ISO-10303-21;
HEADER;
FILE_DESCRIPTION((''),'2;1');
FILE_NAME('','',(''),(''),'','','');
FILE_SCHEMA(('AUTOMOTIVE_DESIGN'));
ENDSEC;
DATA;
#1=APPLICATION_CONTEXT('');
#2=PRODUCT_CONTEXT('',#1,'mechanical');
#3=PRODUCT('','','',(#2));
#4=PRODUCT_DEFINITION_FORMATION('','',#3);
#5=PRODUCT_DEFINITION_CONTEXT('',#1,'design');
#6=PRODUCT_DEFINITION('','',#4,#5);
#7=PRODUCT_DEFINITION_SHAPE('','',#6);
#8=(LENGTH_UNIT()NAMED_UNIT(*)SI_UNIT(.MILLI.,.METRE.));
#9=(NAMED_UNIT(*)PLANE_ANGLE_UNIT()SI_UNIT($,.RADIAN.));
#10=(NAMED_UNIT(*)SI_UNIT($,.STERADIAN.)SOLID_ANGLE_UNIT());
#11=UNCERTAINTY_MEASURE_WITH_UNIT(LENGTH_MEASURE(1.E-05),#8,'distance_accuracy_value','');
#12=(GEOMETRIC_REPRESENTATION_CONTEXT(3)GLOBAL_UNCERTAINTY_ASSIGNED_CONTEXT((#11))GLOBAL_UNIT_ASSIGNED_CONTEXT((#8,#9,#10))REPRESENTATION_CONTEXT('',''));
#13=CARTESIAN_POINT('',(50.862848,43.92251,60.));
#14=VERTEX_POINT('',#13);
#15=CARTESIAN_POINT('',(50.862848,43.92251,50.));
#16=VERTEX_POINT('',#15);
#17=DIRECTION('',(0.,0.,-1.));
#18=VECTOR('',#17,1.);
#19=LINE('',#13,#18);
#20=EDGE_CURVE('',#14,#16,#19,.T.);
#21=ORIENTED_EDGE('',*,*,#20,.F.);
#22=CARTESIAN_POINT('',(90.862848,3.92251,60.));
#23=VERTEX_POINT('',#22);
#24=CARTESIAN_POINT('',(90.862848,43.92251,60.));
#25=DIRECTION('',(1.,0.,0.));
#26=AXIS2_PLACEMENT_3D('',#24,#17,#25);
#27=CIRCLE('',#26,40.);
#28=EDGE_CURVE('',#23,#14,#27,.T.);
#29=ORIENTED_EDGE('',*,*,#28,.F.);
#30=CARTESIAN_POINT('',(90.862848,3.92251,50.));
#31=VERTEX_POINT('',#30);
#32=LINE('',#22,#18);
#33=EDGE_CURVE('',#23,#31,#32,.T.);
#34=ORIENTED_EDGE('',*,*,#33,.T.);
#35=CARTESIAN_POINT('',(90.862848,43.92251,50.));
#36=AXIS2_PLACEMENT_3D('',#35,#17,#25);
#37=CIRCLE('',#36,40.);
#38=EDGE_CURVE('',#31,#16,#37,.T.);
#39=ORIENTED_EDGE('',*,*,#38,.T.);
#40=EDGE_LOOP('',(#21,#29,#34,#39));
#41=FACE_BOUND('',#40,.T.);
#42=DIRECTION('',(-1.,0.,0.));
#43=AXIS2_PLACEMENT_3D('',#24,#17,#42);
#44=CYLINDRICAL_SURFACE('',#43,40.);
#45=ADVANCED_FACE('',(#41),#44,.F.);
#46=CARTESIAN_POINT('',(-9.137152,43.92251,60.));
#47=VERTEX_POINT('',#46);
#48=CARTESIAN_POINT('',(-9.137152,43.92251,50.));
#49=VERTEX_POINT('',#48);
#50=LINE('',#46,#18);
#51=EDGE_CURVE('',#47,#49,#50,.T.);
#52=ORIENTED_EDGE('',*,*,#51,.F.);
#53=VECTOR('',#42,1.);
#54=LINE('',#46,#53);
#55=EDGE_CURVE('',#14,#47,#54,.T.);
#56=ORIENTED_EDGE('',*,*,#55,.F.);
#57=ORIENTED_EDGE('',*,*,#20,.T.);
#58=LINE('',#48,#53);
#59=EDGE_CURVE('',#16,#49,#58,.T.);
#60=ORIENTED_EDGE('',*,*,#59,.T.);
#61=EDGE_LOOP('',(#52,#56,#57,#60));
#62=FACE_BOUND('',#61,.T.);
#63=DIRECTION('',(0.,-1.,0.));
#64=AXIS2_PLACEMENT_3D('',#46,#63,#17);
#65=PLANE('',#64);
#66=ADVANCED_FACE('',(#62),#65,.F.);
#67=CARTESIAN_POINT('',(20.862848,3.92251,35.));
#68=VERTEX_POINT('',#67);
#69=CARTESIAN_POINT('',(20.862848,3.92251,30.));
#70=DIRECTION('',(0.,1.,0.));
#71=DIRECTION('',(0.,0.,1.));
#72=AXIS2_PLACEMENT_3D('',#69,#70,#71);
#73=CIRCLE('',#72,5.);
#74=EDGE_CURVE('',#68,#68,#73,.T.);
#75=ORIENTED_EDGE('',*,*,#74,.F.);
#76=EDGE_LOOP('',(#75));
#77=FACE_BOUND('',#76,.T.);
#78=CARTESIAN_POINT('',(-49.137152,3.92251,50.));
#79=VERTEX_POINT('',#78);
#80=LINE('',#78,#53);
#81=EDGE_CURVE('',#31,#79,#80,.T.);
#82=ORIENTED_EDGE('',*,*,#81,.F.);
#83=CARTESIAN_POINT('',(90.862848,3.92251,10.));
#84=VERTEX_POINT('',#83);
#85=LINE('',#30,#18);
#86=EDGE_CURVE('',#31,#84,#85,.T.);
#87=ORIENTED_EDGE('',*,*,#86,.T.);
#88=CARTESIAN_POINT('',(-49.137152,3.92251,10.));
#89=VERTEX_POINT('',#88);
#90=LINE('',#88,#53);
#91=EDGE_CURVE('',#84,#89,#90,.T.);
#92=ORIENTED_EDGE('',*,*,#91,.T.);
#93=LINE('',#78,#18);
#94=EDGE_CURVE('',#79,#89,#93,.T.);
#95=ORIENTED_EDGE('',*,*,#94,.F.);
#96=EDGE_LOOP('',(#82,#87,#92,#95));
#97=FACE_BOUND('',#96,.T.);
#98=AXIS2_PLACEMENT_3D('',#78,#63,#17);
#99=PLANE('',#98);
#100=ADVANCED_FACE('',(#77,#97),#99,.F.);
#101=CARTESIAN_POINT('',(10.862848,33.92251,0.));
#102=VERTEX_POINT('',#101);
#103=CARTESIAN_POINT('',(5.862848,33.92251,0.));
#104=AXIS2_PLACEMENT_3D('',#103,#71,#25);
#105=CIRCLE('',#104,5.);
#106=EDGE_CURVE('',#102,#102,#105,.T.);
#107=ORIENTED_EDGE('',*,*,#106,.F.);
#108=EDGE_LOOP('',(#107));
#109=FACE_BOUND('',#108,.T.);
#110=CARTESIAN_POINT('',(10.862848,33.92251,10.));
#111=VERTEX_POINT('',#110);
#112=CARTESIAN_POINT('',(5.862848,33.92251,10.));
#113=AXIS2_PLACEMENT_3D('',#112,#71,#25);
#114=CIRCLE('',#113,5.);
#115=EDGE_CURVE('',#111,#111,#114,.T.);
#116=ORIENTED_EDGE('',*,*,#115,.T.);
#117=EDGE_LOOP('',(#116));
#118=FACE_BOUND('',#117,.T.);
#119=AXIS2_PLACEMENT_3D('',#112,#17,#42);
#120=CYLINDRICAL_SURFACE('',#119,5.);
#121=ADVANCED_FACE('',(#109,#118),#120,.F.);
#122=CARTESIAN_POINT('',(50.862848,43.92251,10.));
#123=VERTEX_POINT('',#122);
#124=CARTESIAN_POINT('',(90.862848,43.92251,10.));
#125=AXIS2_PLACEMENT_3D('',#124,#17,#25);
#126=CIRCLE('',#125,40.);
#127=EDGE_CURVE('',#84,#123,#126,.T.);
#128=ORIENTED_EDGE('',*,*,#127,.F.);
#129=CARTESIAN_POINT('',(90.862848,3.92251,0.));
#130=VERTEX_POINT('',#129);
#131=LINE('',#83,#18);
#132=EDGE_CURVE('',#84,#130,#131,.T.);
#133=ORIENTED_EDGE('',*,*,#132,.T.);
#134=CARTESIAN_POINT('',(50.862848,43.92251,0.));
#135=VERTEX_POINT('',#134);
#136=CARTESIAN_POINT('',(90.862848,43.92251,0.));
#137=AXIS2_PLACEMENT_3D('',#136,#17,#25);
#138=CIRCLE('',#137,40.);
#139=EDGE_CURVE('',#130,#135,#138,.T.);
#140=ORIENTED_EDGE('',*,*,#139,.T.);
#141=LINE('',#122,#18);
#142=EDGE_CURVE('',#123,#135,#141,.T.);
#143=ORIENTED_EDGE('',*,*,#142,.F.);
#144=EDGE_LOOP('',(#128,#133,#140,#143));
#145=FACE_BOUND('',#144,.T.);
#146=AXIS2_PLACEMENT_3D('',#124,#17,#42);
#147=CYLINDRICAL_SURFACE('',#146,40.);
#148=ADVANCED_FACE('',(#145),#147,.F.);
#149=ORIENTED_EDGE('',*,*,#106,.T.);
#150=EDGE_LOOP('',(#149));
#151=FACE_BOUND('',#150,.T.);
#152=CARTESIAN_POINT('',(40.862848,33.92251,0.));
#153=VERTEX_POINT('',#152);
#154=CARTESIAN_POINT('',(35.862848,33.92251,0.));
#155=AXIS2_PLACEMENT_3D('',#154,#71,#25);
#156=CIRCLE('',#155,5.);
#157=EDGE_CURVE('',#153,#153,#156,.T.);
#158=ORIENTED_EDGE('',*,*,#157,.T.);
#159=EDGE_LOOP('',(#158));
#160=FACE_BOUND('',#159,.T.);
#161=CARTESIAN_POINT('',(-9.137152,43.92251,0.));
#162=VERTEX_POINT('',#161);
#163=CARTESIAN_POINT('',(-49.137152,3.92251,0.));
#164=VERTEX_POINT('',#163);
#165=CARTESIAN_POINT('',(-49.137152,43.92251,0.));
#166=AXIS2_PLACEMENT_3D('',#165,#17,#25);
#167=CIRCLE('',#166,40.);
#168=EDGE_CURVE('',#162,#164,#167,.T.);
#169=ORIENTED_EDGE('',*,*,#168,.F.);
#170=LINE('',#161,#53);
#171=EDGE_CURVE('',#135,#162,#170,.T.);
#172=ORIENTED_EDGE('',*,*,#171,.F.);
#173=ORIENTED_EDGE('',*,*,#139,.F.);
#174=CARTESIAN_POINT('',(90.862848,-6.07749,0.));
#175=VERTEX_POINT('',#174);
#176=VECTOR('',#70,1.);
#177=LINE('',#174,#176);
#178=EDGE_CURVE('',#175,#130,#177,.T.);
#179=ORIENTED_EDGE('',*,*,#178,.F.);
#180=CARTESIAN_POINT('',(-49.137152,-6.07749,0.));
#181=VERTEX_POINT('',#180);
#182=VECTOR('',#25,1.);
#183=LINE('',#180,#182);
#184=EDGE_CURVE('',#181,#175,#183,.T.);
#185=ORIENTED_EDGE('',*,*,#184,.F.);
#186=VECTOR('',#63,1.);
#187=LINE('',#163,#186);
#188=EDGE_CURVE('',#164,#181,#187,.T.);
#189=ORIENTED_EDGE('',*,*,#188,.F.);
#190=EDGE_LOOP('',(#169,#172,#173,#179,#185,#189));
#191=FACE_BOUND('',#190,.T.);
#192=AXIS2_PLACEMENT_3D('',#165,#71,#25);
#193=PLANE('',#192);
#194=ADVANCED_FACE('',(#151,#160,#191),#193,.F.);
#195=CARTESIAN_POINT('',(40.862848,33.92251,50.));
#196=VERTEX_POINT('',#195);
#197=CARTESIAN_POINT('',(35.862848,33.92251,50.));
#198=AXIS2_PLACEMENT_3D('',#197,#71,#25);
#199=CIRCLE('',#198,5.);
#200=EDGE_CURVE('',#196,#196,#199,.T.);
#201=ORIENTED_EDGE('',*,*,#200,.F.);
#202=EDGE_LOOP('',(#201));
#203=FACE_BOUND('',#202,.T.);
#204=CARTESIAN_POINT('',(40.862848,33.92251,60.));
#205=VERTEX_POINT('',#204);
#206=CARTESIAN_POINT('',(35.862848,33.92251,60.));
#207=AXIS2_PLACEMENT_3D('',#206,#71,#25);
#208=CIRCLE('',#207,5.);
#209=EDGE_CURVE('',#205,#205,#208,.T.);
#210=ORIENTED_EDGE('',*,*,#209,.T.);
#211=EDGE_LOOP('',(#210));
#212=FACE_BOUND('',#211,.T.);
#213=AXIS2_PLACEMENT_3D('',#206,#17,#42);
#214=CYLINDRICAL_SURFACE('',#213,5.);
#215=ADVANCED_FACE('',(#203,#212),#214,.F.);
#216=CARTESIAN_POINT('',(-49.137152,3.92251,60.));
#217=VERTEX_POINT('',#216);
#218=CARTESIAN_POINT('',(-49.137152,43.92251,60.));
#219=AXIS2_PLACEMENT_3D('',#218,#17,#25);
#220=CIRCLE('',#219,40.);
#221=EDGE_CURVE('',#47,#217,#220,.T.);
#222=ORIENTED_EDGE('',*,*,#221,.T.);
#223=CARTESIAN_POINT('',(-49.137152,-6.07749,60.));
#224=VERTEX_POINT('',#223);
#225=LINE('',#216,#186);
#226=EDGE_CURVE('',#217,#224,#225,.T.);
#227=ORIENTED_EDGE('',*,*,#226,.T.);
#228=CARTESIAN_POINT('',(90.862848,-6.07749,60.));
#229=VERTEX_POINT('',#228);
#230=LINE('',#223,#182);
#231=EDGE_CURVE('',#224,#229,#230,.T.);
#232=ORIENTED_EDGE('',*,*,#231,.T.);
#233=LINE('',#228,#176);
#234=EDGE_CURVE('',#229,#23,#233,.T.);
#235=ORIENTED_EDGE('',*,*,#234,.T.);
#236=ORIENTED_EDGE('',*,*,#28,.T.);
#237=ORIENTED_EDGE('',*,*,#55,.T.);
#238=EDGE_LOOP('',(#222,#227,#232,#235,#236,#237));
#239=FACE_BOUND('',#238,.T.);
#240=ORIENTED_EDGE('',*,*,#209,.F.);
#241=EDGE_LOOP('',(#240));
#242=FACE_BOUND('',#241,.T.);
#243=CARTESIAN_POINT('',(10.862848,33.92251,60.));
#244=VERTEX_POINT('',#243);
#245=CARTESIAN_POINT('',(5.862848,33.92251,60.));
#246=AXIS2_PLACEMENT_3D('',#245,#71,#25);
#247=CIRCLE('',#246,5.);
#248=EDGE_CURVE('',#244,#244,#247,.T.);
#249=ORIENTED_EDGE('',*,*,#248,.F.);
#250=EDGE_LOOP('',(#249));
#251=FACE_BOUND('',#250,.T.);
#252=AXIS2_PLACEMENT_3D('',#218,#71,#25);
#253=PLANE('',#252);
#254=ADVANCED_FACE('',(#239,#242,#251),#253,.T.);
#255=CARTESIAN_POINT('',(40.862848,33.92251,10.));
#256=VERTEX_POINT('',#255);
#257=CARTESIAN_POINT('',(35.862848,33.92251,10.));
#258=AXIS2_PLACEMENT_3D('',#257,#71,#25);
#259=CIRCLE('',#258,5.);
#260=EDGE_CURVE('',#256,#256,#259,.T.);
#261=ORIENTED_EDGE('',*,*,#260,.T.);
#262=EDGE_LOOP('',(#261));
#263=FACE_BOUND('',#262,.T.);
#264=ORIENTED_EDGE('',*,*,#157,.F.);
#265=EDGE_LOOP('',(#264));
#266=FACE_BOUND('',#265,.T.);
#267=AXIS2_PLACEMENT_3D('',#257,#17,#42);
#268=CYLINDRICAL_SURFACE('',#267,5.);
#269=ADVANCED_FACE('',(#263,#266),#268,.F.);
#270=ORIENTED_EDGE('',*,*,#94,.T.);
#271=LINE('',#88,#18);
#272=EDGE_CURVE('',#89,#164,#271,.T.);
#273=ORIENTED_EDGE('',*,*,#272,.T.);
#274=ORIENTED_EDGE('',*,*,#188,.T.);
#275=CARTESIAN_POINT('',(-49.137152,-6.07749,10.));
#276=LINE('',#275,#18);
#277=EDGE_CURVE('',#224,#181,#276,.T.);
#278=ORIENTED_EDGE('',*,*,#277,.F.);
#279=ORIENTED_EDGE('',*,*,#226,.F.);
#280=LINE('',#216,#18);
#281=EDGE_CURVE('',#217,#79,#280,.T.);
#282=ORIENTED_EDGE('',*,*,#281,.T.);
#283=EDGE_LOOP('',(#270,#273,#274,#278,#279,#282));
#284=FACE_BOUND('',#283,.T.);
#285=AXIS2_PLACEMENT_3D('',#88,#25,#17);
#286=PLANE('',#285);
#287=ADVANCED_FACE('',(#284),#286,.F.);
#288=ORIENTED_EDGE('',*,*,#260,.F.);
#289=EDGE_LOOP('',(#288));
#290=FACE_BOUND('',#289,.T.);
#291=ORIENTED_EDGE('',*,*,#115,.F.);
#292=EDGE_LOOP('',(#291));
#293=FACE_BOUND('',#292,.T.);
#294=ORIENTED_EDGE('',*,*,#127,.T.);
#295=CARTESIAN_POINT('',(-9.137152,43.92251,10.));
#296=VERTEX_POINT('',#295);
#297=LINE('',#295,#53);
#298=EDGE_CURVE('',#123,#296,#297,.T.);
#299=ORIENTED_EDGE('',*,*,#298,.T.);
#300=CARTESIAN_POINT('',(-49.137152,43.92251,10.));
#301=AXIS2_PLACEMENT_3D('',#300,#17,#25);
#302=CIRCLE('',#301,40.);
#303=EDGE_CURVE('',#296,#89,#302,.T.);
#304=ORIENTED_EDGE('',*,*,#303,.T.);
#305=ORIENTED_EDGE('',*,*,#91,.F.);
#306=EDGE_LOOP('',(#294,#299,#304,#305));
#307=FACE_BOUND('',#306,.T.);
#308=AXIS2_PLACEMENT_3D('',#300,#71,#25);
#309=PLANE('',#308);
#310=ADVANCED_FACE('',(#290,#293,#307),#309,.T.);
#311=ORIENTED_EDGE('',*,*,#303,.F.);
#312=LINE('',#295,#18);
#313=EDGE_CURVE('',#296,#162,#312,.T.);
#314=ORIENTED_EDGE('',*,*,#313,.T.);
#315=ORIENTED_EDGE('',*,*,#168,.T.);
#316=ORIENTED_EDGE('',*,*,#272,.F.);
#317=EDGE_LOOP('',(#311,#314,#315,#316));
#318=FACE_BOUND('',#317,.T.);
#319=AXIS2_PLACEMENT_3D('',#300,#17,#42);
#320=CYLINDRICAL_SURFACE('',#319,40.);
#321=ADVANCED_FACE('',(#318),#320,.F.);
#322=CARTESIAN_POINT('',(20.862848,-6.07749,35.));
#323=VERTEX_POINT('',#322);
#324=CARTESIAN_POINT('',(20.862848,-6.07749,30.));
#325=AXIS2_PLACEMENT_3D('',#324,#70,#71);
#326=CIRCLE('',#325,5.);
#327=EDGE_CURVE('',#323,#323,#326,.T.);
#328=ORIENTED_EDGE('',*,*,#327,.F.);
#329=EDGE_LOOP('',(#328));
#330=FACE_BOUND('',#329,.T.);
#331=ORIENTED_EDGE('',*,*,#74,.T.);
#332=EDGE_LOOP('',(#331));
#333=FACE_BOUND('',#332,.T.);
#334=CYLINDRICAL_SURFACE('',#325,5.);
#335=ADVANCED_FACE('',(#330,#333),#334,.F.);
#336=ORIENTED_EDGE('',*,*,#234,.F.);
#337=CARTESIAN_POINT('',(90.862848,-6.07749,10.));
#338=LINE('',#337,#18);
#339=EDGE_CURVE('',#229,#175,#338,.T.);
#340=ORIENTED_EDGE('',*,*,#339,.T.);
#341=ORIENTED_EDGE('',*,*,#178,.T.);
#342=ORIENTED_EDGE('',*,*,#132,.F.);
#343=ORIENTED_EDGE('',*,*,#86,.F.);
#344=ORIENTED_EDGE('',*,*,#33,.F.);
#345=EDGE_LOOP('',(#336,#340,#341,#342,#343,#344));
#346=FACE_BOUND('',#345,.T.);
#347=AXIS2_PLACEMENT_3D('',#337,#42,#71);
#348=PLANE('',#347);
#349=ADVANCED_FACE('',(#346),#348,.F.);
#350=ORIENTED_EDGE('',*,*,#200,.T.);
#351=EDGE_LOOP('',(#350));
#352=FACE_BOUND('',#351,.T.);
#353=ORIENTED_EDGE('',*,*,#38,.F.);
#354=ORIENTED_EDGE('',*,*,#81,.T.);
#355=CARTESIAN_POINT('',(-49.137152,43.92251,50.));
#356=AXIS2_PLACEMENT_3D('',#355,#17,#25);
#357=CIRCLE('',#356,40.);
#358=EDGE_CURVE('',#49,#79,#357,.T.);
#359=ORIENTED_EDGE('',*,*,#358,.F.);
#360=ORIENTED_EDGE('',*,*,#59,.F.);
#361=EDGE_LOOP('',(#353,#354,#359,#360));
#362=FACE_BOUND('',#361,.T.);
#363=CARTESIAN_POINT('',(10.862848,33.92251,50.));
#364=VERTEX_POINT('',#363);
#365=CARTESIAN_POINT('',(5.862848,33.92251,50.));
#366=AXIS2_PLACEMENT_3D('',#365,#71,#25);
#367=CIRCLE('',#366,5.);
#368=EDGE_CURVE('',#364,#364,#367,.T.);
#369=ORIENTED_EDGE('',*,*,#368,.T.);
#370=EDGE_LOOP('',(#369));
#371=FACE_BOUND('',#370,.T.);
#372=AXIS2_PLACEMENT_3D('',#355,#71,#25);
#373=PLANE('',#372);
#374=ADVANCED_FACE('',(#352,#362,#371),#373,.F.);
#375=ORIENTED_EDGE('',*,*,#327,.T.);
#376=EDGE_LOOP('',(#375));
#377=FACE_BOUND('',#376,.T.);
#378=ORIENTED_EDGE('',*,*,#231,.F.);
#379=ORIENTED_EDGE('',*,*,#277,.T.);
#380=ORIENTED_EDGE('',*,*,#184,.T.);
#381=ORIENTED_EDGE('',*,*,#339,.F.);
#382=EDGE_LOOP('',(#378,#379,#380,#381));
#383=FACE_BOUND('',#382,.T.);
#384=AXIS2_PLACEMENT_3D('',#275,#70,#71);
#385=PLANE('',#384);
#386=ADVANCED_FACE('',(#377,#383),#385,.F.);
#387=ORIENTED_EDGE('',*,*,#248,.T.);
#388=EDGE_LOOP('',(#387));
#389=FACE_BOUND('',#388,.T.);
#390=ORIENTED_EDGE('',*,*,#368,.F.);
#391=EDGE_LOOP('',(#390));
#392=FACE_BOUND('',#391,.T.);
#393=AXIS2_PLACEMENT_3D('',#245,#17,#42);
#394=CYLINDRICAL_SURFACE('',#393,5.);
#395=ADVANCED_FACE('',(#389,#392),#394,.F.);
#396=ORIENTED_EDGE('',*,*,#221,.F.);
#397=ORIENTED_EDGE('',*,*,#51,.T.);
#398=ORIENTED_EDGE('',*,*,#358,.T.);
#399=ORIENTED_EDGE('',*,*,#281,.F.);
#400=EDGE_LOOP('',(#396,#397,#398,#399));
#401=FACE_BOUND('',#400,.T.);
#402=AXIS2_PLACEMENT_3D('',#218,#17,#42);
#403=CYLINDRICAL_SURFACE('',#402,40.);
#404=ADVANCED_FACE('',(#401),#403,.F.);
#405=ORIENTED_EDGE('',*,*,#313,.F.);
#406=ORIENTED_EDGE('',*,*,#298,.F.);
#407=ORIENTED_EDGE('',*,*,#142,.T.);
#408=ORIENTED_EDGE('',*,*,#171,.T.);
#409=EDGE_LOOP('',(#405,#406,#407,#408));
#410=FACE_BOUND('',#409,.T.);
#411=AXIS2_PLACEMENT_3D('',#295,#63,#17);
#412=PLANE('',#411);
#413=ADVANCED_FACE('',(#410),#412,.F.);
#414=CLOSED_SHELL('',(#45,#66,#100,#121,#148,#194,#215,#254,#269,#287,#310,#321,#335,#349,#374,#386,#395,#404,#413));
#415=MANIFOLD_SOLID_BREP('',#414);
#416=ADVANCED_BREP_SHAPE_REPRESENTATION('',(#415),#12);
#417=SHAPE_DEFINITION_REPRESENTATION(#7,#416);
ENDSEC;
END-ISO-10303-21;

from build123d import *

# Parameters (mm, degrees)
IZIM2_R                     = 5
Y_KSEKLIK_EKSTR_ZYON2_DEPTH = 10
IZIM3_W                     = 140
IZIM3_H                     = 10
Y_KSEKLIK_EKSTR_ZYON3_DEPTH = 40
IZIM4_R                     = 5
Y_KSEKLIK_EKSTR_ZYON4_DEPTH = 10
IZIM5_R                     = 5
KES_EKSTR_ZYON1_DEPTH       = 10


with BuildPart() as part:
    # Çizim2 → Yükseklik-Ekstrüzyon2 (new body)
    with BuildSketch(Plane.XY):
        with BuildLine():
            Line((-49.137152365, 3.922510102), (-49.137152365, -6.077489898))
            Line((-49.137152365, -6.077489898), (90.862847635, -6.077489898))
            Line((90.862847635, -6.077489898), (90.862847635, 3.922510102))
            ThreePointArc((90.862847635, 3.922510102), (62.578576387, 15.638238855), (50.862847635, 43.922510102))
            Line((50.862847635, 43.922510102), (-9.137152365, 43.922510102))
            ThreePointArc((-9.137152365, 43.922510102), (-20.852881118, 15.638238855), (-49.137152365, 3.922510102))
        make_face()
        with Locations((5.862847635, 33.922510102)):
            Circle(IZIM2_R, mode=Mode.SUBTRACT)
        with Locations((35.862847635, 33.922510102)):
            Circle(IZIM2_R, mode=Mode.SUBTRACT)
    extrude(amount=Y_KSEKLIK_EKSTR_ZYON2_DEPTH)

    # Çizim3 → Yükseklik-Ekstrüzyon3 (add)
    with BuildSketch(Plane.XY.offset(10)):
        with Locations((20.862847635, -1.077489898)):
            Rectangle(IZIM3_W, IZIM3_H)
    extrude(amount=Y_KSEKLIK_EKSTR_ZYON3_DEPTH)

    # Çizim4 → Yükseklik-Ekstrüzyon4 (add)
    with BuildSketch(Plane.XY.offset(50)):
        with BuildLine():
            Line((-49.137152365, 3.922510102), (-49.137152365, -6.077489898))
            Line((-49.137152365, -6.077489898), (90.862847635, -6.077489898))
            Line((90.862847635, -6.077489898), (90.862847635, 3.922510102))
            ThreePointArc((90.862847635, 3.922510102), (62.578576387, 15.638238855), (50.862847635, 43.922510102))
            Line((50.862847635, 43.922510102), (-9.137152365, 43.922510102))
            ThreePointArc((-9.137152365, 43.922510102), (-20.852881118, 15.638238855), (-49.137152365, 3.922510102))
        make_face()
        with Locations((5.862847635, 33.922510102)):
            Circle(IZIM4_R, mode=Mode.SUBTRACT)
        with Locations((35.862847635, 33.922510102)):
            Circle(IZIM4_R, mode=Mode.SUBTRACT)
    extrude(amount=Y_KSEKLIK_EKSTR_ZYON4_DEPTH)

    # Çizim5 → Kes-Ekstrüzyon1 (cut)
    with BuildSketch(Plane(origin=(0, 3.922510102, 0), x_dir=(1, 0, 0), z_dir=(0, 1, 0))):
        with Locations(Location((20.862847635, -30, 0), (0, 0, 270))):
            Circle(IZIM5_R)
    extrude(amount=-KES_EKSTR_ZYON1_DEPTH, mode=Mode.SUBTRACT)


solid = part.part
